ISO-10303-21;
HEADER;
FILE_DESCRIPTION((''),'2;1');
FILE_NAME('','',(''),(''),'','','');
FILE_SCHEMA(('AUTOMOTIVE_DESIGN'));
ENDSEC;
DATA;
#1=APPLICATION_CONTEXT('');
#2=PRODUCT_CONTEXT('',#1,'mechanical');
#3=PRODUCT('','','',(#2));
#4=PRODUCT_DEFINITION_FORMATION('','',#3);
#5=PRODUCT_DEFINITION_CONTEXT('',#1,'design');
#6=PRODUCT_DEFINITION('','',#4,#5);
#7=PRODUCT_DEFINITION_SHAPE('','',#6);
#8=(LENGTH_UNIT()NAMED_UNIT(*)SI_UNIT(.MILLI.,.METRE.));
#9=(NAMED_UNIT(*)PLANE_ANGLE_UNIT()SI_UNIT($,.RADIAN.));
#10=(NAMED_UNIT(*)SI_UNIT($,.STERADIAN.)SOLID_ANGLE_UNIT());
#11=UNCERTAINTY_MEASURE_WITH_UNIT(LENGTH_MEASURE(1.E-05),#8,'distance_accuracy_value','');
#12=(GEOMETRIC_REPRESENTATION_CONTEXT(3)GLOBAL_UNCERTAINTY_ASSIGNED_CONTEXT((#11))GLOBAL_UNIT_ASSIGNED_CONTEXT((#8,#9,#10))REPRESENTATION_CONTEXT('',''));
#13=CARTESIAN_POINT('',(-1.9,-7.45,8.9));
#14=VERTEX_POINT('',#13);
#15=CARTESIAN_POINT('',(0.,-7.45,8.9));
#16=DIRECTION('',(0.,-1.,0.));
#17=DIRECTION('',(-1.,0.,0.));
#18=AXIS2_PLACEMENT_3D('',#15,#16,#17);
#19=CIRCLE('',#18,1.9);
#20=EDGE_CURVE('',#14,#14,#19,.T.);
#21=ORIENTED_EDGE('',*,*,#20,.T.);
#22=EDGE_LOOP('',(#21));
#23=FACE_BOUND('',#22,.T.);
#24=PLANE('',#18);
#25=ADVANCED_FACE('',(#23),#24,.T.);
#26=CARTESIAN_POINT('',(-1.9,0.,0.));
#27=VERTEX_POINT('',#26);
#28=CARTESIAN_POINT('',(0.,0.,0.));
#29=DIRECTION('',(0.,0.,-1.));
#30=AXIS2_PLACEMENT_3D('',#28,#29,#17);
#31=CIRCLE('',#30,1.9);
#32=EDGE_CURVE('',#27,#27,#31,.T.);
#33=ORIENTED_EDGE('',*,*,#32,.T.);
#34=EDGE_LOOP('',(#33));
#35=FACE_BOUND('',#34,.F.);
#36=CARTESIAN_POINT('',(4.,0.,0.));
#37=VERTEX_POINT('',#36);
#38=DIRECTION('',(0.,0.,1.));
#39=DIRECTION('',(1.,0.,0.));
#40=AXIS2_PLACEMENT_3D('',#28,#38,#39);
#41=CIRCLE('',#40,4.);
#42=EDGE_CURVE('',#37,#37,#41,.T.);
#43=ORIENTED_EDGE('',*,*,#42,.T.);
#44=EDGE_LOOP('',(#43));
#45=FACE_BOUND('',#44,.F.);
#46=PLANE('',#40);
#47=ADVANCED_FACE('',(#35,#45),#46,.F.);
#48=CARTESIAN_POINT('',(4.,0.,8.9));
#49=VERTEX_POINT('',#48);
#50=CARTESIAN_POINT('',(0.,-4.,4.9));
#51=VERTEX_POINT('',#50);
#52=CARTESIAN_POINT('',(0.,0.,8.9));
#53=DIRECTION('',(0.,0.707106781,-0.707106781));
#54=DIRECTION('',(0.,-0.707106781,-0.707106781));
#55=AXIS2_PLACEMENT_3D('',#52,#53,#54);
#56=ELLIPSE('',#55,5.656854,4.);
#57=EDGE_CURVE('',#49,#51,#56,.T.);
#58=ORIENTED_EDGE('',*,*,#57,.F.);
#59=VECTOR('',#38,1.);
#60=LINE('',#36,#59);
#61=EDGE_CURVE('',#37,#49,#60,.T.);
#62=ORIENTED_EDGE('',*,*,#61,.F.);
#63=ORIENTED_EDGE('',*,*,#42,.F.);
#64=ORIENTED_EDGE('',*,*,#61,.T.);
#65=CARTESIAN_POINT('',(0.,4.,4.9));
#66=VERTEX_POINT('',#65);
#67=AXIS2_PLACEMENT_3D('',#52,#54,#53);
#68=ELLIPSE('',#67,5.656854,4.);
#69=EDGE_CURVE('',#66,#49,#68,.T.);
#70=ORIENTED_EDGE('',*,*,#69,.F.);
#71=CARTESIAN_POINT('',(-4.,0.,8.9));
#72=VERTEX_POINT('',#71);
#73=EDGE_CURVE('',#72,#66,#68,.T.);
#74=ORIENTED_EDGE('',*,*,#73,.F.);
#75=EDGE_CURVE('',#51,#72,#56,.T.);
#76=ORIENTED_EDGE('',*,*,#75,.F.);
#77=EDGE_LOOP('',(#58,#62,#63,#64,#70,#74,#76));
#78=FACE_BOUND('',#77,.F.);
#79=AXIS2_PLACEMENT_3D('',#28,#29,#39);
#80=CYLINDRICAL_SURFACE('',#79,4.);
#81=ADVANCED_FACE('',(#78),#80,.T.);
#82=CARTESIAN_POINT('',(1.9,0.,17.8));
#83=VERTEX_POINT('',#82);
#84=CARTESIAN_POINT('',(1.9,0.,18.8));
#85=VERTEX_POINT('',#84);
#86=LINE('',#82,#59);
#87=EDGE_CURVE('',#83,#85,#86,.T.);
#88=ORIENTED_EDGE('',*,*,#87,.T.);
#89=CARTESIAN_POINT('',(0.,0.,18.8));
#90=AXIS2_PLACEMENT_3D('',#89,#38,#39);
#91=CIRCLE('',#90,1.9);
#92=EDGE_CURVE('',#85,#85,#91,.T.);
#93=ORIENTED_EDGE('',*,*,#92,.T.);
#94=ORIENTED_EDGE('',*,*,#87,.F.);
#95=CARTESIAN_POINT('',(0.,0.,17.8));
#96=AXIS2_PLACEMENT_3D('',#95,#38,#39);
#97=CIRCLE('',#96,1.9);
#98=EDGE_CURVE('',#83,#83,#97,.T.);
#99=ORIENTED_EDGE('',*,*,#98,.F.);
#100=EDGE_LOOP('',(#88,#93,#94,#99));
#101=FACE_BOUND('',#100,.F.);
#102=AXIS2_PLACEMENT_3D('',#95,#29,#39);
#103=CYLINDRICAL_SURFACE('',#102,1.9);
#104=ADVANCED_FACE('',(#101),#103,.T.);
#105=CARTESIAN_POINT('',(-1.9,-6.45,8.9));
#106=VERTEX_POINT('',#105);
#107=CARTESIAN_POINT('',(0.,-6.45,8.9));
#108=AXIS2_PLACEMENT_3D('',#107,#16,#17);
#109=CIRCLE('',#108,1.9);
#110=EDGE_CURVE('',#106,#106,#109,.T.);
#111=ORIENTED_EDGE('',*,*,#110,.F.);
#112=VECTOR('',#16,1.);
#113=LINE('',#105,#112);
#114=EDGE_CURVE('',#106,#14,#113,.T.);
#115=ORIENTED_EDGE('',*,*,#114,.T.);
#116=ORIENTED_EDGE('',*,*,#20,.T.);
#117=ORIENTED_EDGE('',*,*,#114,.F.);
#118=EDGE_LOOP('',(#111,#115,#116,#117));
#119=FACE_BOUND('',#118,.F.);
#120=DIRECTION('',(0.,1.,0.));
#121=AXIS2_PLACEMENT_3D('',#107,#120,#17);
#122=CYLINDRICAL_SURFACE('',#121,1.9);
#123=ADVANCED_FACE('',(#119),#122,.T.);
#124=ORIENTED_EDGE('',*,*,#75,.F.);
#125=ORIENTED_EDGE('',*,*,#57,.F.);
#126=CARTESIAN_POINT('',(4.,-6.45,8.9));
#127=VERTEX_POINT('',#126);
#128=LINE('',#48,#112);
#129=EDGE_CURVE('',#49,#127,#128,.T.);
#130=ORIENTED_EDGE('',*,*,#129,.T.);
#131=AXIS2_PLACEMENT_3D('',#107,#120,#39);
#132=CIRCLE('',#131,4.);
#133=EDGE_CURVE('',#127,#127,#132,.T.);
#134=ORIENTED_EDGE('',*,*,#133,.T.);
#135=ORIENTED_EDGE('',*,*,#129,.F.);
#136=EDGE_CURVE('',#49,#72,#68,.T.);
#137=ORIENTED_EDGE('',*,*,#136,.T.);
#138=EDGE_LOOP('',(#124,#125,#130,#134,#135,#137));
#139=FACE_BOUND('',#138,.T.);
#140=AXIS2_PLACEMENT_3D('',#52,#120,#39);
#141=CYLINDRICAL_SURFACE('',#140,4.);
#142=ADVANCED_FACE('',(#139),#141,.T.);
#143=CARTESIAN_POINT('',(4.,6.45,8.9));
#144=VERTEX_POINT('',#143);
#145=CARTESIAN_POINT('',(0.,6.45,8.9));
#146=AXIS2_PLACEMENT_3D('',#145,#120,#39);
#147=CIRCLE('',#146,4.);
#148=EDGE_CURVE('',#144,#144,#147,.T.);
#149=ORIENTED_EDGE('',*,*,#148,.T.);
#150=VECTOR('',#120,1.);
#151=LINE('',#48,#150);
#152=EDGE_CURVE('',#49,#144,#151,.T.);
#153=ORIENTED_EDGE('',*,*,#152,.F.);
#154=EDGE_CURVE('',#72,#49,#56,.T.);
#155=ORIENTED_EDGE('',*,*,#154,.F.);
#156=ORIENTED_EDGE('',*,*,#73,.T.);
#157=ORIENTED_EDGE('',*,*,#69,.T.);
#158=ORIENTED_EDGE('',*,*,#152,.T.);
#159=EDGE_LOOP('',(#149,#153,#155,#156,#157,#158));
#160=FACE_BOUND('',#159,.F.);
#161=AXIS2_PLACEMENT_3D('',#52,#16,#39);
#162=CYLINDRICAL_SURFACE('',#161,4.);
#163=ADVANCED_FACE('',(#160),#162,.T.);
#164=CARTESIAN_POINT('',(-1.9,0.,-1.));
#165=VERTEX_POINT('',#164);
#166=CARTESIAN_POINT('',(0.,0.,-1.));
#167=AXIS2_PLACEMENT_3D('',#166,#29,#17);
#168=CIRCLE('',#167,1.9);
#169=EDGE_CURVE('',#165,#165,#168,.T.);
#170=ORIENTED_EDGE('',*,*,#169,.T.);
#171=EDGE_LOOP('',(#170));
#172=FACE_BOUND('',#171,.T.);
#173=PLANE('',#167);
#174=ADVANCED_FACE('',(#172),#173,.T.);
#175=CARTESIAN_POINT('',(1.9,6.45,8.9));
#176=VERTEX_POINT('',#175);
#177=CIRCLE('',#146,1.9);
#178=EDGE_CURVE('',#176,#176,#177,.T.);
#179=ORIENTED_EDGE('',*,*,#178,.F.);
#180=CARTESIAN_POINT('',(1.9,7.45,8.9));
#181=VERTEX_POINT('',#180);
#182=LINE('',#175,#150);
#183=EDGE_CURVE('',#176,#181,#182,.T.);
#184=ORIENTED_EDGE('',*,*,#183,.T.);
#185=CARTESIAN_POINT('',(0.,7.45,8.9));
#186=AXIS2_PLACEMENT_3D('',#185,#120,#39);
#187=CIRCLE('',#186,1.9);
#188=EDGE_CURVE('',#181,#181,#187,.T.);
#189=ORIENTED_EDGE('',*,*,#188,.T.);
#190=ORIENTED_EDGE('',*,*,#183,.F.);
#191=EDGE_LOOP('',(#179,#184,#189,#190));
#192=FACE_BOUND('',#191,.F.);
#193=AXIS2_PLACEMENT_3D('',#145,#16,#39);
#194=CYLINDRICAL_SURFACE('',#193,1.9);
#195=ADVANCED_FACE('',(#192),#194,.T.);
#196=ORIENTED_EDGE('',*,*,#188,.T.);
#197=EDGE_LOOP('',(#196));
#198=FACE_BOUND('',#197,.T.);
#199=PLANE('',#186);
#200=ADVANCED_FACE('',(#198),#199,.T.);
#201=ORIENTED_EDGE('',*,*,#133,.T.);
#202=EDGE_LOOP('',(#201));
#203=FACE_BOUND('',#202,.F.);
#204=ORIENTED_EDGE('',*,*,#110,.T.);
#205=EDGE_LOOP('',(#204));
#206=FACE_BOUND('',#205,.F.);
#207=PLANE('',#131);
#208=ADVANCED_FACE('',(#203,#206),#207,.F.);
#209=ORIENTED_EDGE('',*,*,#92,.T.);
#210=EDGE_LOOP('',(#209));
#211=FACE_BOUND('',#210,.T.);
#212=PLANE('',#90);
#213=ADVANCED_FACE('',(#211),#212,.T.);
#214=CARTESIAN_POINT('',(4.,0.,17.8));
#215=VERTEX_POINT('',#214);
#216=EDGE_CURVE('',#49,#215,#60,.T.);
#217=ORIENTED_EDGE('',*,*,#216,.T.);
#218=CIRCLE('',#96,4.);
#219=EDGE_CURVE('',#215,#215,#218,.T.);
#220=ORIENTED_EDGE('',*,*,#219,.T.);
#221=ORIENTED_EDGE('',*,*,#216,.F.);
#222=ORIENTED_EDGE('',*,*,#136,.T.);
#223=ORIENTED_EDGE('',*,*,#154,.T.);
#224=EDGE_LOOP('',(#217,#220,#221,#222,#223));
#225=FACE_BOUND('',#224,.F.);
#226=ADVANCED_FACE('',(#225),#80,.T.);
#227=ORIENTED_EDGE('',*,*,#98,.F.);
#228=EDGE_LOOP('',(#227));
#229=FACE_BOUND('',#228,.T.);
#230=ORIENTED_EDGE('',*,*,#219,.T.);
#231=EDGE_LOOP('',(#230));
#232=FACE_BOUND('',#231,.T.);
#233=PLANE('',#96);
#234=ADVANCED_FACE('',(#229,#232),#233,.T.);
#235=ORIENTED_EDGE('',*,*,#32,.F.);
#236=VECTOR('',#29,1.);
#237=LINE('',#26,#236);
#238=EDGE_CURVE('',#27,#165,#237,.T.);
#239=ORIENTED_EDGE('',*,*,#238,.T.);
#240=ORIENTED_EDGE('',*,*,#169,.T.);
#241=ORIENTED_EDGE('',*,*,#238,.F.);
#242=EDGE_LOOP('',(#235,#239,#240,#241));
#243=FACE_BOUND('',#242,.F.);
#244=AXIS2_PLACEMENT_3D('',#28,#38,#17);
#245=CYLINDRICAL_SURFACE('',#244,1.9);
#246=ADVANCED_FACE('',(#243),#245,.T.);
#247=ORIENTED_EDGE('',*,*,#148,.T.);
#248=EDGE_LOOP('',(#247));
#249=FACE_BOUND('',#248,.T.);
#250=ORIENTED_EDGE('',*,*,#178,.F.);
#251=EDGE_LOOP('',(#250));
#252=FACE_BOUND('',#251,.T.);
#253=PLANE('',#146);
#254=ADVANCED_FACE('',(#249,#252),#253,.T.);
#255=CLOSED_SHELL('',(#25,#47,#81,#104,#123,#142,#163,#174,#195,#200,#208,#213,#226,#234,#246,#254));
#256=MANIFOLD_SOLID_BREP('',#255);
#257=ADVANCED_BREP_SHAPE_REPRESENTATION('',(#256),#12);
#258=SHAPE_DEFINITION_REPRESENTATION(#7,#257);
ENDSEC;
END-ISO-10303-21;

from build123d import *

# Parameters (mm, degrees)
SKETCH_1_R           = 4
EXTRUDE_1_DEPTH      = 17.8
SKETCH_2_R           = 1.9
EXTRUDE_2_DEPTH      = 1
EXTRUDE_START        = 1
SKETCH_3_R           = 1.9
EXTRUDE_3_DEPTH      = 1
EXTRUDE_4_DEPTH      = 6.45
EXTRUDE_4_DEPTH_BACK = 6.45
SKETCH_4_R           = 4
SKETCH_5_R           = 1.9
EXTRUDE_5_DEPTH      = 1
SKETCH_6_R           = 1.9
EXTRUDE_6_DEPTH      = 1


with BuildPart() as part:
    # 草图1 → 凸台-拉伸1 (new body)
    with BuildSketch(Plane.XY):
        Circle(SKETCH_1_R)
    extrude(amount=EXTRUDE_1_DEPTH)

    # 草图2 → 凸台-拉伸2 (add)
    with BuildSketch(Plane.XY.offset(17.8)):
        Circle(SKETCH_2_R)
    extrude(amount=EXTRUDE_2_DEPTH)

    # 草图3 → 凸台-拉伸3 (add)
    with BuildSketch(Plane(origin=(0, 0, 0), x_dir=(-1, 0, 0), z_dir=(0, 0, -1)).offset(EXTRUDE_START)):
        Circle(SKETCH_3_R)
    extrude(amount=-EXTRUDE_3_DEPTH)

    # 草图4 → 凸台-拉伸4 (add, two sides: drawn at the far end of the back side and taken through both)
    with BuildSketch(Plane(origin=(0, 0, 0), x_dir=(1, 0, 0), z_dir=(0, 1, 0)).offset(-EXTRUDE_4_DEPTH_BACK)):
        with Locations((0, -8.9)):
            Circle(SKETCH_4_R)
    extrude(amount=EXTRUDE_4_DEPTH + EXTRUDE_4_DEPTH_BACK)

    # 草图5 → 凸台-拉伸5 (add)
    with BuildSketch(Plane(origin=(0, -6.45, 0), x_dir=(-1, 0, 0), z_dir=(0, -1, 0))):
        with Locations((0, -8.9)):
            Circle(SKETCH_5_R)
    extrude(amount=EXTRUDE_5_DEPTH)

    # 草图6 → 凸台-拉伸6 (add)
    with BuildSketch(Plane(origin=(0, 6.45, 0), x_dir=(1, 0, 0), z_dir=(0, 1, 0)).offset(EXTRUDE_START)):
        with Locations((0, -8.9)):
            Circle(SKETCH_6_R)
    extrude(amount=-EXTRUDE_6_DEPTH)


solid = part.part
